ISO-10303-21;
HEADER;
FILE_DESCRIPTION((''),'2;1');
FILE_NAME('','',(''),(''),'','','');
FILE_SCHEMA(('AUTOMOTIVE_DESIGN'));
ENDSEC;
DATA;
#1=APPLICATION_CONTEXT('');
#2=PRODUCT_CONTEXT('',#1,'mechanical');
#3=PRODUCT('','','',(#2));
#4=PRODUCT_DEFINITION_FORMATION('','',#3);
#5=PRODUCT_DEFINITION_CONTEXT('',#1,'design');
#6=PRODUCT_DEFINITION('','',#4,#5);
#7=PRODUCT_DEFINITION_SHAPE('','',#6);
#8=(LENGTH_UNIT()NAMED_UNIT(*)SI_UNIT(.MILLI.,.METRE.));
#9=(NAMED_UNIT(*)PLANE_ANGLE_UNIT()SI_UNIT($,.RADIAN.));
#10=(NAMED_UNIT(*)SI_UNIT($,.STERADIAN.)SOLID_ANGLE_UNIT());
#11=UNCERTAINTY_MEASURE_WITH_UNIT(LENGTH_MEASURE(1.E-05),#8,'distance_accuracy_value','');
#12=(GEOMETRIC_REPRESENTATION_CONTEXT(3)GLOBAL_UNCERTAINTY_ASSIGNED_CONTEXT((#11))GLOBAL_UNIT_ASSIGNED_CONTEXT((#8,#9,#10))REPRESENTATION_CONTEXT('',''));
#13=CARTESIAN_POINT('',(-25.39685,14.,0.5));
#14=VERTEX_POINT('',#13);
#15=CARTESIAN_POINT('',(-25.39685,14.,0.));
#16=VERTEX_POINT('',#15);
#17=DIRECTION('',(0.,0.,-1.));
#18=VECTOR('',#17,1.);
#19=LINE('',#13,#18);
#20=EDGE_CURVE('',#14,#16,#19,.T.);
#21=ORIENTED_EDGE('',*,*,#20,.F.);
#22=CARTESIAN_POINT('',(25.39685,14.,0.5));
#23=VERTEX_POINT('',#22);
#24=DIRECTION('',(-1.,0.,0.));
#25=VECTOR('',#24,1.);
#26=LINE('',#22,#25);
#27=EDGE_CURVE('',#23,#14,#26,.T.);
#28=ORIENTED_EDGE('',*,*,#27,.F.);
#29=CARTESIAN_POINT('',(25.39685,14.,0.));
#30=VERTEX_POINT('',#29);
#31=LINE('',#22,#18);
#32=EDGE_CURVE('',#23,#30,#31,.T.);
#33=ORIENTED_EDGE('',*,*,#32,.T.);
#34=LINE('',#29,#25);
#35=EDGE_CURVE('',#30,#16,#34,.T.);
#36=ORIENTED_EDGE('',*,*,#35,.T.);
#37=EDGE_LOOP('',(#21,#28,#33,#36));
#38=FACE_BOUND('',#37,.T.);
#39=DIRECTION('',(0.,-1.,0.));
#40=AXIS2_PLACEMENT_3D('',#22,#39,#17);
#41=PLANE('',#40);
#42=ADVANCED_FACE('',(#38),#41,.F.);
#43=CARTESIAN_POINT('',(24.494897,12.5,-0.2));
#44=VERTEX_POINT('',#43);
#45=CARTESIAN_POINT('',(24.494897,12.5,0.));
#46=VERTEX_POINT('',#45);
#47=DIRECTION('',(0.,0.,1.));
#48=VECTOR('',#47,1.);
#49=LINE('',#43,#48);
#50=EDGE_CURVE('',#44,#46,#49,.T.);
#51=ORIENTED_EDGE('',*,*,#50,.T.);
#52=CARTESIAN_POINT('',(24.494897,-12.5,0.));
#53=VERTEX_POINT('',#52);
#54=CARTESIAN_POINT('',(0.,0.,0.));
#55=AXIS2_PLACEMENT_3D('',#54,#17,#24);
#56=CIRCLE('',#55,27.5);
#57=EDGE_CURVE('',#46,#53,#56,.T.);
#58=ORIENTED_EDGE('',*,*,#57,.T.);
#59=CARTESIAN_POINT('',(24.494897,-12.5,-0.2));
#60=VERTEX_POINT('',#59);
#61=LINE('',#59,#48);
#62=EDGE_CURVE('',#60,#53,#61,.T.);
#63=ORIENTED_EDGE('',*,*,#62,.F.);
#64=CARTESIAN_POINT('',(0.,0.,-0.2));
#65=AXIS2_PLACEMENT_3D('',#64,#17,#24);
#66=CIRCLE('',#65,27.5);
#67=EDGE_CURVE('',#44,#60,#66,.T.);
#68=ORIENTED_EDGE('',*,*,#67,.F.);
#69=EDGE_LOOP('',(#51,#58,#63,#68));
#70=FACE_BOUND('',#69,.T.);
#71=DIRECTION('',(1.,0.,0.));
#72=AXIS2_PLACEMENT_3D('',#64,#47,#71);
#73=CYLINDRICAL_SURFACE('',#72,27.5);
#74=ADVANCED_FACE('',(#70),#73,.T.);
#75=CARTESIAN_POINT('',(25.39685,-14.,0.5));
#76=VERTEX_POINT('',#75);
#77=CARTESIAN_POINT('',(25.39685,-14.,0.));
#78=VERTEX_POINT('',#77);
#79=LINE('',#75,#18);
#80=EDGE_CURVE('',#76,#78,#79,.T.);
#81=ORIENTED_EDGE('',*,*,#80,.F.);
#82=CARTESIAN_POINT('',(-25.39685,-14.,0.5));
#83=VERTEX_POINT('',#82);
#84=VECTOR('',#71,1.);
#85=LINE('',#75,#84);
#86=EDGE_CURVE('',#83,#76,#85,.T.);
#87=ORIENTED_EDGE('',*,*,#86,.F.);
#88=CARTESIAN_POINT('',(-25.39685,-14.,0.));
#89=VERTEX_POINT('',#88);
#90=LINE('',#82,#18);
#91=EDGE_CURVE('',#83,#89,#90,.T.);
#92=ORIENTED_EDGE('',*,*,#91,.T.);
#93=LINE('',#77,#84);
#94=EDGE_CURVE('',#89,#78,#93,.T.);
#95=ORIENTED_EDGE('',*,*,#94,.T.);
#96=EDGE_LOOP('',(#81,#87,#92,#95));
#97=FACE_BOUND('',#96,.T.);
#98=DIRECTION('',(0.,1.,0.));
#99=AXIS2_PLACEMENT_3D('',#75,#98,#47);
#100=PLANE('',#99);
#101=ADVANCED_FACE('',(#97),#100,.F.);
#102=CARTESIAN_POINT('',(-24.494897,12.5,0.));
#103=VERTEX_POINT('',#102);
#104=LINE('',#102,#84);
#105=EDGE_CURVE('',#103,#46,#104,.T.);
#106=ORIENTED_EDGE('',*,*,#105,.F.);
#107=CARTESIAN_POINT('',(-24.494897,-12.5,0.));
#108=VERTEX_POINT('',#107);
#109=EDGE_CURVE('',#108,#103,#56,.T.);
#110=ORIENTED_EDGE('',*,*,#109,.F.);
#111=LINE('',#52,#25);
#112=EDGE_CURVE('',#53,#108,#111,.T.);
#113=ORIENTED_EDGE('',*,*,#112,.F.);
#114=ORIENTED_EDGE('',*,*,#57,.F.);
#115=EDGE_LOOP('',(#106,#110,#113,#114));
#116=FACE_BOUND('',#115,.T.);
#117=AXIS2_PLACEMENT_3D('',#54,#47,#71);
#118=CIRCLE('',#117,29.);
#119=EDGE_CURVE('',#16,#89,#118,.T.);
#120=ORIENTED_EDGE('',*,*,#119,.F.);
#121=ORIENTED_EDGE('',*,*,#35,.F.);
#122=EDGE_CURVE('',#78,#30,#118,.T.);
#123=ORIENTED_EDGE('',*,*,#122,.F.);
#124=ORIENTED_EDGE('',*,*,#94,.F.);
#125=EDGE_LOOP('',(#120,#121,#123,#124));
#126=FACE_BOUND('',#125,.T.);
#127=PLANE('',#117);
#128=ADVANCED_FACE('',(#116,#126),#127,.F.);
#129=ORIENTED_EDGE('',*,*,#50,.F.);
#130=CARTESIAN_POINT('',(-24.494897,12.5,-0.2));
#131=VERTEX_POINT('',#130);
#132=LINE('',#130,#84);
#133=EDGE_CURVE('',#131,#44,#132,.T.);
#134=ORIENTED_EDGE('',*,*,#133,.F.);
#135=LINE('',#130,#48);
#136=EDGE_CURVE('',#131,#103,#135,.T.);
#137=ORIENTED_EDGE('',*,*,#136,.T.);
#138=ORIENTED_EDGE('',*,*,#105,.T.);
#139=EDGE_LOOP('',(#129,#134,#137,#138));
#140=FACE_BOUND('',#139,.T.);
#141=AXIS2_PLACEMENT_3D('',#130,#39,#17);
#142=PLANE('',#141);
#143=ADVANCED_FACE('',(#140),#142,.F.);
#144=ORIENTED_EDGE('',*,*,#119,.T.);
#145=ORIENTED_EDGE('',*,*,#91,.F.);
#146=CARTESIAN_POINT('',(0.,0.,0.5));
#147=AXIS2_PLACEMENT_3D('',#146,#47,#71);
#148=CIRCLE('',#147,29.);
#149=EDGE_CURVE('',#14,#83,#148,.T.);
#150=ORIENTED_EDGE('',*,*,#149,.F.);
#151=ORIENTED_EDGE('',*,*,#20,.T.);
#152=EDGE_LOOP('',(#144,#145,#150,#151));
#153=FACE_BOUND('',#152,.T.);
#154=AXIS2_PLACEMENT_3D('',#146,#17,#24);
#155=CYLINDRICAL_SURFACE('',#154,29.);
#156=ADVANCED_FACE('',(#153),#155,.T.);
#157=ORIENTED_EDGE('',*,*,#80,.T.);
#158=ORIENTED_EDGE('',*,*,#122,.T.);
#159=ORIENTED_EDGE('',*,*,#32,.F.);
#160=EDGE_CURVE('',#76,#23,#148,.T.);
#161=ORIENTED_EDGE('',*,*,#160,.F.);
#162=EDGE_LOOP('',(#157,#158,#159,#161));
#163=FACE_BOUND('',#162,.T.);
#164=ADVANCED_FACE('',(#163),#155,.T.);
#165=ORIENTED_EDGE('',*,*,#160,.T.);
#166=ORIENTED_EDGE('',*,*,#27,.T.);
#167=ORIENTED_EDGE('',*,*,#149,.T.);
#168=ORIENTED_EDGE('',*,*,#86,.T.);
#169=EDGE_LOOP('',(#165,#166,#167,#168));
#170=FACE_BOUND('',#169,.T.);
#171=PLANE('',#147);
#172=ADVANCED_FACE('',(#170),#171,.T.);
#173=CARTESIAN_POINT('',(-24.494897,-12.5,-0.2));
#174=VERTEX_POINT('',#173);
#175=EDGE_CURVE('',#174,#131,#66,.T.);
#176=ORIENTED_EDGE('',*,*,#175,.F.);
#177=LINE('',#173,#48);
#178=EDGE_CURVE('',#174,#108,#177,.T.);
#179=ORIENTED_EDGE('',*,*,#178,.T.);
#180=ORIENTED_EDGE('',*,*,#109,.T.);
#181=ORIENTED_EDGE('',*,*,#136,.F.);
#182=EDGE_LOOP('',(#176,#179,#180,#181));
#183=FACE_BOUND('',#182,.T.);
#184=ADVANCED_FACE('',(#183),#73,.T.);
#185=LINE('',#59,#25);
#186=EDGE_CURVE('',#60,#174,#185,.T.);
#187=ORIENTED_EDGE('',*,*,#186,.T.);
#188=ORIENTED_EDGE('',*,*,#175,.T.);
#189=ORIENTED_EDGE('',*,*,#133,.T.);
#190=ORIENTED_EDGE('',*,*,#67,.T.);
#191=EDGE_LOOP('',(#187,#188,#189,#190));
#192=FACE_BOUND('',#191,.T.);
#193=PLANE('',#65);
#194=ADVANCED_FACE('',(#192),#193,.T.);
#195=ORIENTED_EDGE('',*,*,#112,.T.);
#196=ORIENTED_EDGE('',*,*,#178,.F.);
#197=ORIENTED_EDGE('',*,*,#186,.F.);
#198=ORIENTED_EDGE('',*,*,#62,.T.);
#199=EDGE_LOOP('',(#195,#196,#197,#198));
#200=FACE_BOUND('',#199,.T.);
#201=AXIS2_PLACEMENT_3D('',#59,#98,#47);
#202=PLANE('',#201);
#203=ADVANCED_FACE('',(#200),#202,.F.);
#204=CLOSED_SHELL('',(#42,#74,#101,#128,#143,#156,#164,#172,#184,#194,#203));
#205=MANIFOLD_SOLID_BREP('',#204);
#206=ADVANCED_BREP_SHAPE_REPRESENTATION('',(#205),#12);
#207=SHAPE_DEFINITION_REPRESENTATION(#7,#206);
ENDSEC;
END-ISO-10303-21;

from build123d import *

# Parameters (mm, degrees)
EXTRUDE_1_DEPTH = 0.5
EXTRUDE_2_DEPTH = 0.2


with BuildPart() as part:
    # Эскиз1 → Бобышка-Вытянуть1 (new body)
    with BuildSketch(Plane.XY):
        with BuildLine():
            Line((25.396850198, 14), (-25.396850198, 14))
            ThreePointArc((-25.396850198, 14), (-29, 0), (-25.396850198, -14))
            Line((-25.396850198, -14), (25.396850198, -14))
            ThreePointArc((25.396850198, -14), (29, 0), (25.396850198, 14))
        make_face()
    extrude(amount=EXTRUDE_1_DEPTH)

    # Эскиз2 → Бобышка-Вытянуть2 (add)
    with BuildSketch(Plane(origin=(0, 0, 0), x_dir=(-1, 0, 0), z_dir=(0, 0, -1))):
        with BuildLine():
            Line((-24.494897428, -12.5), (24.494897428, -12.5))
            ThreePointArc((24.494897428, -12.5), (27.5, 0), (24.494897428, 12.5))
            Line((24.494897428, 12.5), (-24.494897428, 12.5))
            ThreePointArc((-24.494897428, 12.5), (-27.5, 0), (-24.494897428, -12.5))
        make_face()
    extrude(amount=EXTRUDE_2_DEPTH)


solid = part.part
